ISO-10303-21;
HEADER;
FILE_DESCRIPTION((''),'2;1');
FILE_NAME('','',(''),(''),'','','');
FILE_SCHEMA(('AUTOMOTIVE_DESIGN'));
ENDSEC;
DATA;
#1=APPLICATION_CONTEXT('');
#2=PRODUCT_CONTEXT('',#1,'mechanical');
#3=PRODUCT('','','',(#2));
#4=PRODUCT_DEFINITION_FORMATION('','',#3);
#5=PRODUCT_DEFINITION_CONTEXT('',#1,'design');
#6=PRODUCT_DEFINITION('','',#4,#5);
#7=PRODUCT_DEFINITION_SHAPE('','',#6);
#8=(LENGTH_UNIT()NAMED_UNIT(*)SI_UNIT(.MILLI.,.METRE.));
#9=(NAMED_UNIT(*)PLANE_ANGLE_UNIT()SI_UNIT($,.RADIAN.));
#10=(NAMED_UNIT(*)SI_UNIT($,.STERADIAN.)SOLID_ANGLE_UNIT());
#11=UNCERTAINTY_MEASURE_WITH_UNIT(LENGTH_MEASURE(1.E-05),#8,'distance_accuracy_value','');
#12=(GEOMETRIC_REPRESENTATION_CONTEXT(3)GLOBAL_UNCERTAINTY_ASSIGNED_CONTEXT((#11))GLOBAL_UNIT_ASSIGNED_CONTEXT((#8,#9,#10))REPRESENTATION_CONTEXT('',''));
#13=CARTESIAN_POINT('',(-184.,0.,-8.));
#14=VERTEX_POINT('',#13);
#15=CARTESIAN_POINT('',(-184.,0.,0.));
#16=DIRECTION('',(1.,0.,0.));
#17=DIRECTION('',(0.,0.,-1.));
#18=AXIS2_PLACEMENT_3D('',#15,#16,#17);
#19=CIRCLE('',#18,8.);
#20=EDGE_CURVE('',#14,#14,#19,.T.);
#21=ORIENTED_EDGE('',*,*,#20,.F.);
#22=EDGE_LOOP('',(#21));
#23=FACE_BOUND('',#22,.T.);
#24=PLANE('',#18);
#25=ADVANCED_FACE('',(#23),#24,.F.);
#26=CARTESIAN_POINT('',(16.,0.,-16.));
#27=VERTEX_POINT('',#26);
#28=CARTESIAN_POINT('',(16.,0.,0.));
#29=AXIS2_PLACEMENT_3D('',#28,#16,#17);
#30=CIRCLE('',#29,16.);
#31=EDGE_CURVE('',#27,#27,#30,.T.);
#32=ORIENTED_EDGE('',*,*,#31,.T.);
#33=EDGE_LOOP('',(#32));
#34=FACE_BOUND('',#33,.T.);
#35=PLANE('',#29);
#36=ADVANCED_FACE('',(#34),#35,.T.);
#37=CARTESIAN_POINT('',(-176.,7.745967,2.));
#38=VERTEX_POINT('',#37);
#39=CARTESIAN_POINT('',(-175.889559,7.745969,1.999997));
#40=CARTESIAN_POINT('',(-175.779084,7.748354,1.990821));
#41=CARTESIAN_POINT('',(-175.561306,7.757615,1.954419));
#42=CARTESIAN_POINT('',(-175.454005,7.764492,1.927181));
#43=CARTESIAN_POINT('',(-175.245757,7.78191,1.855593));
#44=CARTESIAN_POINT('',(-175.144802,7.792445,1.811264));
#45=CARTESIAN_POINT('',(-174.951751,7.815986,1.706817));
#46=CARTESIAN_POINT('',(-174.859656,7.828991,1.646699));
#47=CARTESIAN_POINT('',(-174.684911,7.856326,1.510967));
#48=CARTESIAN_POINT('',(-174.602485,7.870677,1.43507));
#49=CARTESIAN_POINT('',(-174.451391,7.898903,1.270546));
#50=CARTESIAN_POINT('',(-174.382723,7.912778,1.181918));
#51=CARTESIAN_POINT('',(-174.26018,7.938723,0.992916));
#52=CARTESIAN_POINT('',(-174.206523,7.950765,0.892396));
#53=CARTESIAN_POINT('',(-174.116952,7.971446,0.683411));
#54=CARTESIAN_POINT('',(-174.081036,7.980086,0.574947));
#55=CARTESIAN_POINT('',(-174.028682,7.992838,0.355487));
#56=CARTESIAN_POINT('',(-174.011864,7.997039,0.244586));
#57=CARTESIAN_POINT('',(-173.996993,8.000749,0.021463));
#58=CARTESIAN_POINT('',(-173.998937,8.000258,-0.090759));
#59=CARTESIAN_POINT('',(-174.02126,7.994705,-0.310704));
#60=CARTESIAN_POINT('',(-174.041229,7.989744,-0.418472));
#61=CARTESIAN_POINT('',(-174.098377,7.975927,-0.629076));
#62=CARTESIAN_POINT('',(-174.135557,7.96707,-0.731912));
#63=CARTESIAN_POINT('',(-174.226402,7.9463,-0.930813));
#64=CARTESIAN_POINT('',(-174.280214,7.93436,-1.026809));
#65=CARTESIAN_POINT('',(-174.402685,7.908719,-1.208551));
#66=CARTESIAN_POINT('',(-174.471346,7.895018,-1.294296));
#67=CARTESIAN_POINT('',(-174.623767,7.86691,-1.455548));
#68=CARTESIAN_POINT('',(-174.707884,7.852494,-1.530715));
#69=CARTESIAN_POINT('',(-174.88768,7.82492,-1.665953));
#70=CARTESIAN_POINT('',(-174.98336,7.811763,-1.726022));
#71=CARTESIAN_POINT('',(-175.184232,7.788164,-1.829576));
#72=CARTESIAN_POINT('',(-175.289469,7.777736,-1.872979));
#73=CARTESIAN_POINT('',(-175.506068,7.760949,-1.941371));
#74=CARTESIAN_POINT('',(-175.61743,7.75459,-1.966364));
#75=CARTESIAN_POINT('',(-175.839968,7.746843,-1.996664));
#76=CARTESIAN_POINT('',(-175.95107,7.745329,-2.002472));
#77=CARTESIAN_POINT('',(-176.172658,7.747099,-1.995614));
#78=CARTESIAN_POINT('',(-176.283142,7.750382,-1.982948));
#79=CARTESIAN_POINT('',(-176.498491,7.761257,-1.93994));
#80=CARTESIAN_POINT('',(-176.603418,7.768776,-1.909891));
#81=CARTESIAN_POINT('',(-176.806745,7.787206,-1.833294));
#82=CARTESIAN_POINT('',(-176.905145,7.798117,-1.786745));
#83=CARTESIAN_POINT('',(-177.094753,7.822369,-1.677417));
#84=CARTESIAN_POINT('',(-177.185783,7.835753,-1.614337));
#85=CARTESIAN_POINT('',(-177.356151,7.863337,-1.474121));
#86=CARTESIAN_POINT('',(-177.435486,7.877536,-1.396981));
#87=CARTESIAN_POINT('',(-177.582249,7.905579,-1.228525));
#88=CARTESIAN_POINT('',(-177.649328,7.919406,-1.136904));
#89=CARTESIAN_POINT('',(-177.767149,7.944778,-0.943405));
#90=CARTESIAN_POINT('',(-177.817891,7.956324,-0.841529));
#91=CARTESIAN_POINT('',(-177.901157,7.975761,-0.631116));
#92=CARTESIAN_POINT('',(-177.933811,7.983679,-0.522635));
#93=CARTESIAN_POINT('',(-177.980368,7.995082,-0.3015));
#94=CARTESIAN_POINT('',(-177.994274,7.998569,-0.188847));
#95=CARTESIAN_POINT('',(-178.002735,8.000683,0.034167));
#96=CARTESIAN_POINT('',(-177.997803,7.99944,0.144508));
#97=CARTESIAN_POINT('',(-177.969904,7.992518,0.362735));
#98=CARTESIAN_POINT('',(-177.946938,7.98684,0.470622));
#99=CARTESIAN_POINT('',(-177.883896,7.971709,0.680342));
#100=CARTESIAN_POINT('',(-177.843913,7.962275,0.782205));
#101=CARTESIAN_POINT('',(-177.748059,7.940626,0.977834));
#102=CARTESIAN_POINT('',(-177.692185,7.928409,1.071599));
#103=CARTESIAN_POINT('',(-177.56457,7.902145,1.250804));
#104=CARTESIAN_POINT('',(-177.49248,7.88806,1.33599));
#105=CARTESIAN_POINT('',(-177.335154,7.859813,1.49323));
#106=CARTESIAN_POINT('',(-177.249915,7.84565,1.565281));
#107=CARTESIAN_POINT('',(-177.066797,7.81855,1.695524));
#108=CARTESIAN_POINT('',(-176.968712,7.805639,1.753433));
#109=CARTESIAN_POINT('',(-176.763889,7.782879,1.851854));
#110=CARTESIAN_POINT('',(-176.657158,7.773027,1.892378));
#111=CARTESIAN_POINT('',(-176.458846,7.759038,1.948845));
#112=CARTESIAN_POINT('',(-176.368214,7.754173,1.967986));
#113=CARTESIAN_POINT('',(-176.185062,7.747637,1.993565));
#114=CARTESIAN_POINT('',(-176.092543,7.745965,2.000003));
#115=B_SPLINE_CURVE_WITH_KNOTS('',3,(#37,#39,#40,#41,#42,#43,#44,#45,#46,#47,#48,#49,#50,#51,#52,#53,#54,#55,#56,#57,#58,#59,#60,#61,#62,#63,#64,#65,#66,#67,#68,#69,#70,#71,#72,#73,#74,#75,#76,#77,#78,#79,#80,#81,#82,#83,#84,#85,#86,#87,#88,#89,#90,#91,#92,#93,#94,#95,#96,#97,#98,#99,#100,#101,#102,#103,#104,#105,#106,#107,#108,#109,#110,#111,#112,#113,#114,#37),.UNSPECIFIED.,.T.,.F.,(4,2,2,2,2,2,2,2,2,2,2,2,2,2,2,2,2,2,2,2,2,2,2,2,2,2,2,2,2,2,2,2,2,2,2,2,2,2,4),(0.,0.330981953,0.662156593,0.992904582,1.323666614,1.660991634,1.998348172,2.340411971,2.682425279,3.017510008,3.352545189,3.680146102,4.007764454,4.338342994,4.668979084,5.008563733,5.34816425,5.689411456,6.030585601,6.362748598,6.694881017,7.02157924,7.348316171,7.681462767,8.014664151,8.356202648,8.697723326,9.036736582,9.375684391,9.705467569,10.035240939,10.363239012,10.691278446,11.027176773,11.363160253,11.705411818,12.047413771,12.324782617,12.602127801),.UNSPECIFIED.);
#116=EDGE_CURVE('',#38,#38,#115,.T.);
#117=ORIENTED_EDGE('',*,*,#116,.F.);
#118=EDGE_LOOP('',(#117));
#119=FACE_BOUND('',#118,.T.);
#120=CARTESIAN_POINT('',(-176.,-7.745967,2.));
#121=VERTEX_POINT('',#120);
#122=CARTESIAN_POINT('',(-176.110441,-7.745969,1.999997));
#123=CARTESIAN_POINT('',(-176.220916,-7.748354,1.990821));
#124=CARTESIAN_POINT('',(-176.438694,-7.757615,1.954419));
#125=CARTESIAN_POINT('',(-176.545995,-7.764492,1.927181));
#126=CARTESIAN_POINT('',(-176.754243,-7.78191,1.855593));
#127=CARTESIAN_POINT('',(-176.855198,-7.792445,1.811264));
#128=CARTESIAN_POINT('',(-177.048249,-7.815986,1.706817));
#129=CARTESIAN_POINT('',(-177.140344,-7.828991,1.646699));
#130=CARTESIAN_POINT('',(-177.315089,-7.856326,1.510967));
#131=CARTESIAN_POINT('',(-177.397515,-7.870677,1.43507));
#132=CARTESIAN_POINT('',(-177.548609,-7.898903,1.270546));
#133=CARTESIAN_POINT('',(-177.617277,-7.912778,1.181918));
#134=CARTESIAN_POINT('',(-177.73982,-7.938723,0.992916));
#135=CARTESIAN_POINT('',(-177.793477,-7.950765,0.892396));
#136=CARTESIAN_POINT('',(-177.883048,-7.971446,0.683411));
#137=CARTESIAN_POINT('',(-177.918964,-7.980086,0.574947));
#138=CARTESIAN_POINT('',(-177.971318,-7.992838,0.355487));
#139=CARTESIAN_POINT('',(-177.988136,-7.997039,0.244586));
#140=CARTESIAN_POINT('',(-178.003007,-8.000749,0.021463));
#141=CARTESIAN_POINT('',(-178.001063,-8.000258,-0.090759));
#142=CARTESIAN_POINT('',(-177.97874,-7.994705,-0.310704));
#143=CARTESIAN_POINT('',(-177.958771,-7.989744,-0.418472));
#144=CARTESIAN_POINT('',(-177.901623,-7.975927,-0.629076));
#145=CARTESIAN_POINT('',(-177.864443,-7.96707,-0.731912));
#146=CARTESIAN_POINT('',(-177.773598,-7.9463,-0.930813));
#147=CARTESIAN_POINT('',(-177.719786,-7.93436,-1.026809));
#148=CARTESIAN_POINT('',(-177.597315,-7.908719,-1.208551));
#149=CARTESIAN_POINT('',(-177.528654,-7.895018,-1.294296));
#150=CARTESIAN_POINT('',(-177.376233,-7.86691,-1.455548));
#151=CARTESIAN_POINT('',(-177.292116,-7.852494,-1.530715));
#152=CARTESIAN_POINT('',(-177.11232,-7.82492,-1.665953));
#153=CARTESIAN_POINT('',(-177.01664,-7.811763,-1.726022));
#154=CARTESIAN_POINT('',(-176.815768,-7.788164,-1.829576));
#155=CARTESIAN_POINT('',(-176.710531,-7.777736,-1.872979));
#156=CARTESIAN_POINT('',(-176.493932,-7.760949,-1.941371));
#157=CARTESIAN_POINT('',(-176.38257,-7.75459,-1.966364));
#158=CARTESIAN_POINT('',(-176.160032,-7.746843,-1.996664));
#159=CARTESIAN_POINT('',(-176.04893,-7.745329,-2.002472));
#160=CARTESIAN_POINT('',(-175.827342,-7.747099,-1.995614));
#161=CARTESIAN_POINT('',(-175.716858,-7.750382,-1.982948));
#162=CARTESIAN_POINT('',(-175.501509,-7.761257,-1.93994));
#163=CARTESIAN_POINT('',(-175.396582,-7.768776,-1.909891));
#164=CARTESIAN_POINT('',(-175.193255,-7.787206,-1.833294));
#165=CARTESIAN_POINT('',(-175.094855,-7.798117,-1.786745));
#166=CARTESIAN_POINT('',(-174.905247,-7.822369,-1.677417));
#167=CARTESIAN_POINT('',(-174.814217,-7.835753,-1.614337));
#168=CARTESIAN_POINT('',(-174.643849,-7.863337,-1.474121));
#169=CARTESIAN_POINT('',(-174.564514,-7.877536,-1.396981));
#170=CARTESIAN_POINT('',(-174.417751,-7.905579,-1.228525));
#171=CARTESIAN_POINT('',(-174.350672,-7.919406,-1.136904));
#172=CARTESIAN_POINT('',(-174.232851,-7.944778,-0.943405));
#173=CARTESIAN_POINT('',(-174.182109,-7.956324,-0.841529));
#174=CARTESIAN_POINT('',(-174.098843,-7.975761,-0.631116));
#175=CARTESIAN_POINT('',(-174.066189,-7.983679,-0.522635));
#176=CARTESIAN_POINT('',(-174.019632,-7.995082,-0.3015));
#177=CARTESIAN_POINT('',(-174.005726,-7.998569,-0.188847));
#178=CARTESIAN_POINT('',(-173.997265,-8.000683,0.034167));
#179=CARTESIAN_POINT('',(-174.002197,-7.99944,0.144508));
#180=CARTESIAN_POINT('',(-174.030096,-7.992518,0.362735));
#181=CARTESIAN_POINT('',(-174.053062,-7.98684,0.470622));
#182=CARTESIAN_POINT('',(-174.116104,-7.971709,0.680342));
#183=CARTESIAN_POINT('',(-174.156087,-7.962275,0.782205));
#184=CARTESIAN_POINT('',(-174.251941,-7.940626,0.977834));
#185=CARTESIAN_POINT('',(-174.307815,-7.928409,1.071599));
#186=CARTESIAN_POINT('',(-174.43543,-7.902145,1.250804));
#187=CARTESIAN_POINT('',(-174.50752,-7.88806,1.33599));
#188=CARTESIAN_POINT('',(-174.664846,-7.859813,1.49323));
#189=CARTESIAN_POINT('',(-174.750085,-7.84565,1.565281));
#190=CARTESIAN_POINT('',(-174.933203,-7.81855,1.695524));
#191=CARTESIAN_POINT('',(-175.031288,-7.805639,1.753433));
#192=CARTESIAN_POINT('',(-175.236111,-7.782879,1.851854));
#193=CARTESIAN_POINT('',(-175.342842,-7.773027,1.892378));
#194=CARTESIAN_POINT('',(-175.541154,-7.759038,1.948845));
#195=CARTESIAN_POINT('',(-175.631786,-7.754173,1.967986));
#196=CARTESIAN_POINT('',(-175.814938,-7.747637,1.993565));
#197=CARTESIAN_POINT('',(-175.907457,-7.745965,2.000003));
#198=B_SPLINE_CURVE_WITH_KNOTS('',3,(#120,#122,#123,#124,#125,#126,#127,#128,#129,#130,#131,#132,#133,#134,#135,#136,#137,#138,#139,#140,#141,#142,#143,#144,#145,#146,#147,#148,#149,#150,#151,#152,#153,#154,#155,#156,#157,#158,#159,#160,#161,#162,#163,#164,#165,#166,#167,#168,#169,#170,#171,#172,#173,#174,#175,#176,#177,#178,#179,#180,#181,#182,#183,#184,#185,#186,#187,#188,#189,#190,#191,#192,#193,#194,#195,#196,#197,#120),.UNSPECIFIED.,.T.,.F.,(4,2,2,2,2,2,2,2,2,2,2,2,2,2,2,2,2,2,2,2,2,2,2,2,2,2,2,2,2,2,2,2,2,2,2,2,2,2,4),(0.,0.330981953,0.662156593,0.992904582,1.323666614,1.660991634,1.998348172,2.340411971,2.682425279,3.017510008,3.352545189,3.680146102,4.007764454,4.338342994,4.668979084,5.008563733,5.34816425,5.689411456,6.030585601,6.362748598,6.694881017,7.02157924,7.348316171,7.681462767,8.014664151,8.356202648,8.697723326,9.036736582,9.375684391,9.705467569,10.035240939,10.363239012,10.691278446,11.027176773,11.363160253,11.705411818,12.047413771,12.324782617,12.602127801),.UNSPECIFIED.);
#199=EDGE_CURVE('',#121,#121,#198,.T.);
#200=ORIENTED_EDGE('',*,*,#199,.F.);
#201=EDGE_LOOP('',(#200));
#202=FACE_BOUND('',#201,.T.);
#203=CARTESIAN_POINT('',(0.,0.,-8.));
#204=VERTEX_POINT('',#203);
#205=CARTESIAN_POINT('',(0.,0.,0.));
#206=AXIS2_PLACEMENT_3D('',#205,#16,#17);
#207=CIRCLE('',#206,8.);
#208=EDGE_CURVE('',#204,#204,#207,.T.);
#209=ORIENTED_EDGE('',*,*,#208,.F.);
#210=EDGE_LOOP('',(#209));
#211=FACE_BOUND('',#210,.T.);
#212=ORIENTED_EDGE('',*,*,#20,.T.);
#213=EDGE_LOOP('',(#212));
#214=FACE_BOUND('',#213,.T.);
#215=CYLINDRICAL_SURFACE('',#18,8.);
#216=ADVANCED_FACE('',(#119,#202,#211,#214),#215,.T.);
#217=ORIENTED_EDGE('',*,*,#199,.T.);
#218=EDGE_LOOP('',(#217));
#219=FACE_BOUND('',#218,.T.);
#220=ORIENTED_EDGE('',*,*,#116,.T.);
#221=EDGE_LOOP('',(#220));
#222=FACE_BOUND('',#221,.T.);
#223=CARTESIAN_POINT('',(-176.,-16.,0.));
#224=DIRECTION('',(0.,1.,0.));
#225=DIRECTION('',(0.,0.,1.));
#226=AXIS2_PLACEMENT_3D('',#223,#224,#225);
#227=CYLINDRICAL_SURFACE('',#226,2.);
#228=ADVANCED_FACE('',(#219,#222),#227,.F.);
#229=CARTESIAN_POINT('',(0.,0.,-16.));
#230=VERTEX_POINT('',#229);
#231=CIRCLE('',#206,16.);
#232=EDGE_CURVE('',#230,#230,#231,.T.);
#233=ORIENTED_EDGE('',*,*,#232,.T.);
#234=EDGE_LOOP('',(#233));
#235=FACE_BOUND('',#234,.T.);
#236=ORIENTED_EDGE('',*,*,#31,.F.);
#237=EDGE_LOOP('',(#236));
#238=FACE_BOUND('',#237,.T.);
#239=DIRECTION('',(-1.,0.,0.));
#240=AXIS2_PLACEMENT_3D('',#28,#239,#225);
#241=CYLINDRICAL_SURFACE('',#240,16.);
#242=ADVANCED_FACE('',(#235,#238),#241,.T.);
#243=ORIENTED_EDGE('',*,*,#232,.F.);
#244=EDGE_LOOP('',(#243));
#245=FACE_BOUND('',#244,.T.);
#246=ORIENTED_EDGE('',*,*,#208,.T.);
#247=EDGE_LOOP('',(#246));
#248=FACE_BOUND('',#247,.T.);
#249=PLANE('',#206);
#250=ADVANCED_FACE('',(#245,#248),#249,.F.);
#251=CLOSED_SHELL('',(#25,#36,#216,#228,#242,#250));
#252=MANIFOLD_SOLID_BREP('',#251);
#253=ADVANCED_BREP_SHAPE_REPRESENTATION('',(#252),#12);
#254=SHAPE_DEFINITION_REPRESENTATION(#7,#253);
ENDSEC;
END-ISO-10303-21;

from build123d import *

# Parameters (mm, degrees)
SKETCH1_R               = 16
BOSS_EXTRUDE1_DEPTH     = 16
SKETCH2_R               = 8
BOSS_EXTRUDE2_DEPTH     = 200
CUT_EXTRUDE2_DEPTH      = 186.38608362
CUT_EXTRUDE2_DEPTH_BACK = 186.38608362
SKETCH3_R               = 2


with BuildPart() as part:
    # Sketch1 → Boss-Extrude1 (new body)
    with BuildSketch(Plane(origin=(0, 0, 0), x_dir=(0, 0, -1), z_dir=(1, 0, 0))):
        Circle(SKETCH1_R)
    extrude(amount=BOSS_EXTRUDE1_DEPTH)

    # Sketch2 → Boss-Extrude2 (add)
    with BuildSketch(Plane(origin=(16, 0, 0), x_dir=(0, 0, -1), z_dir=(1, 0, 0))):
        Circle(SKETCH2_R)
    extrude(amount=-BOSS_EXTRUDE2_DEPTH)

    # Sketch3 → Cut-Extrude2 (cut, two sides: drawn at the far end of the back side and taken through both)
    with BuildSketch(Plane(origin=(0, 0, 0), x_dir=(1, 0, 0), z_dir=(0, 1, 0)).offset(-CUT_EXTRUDE2_DEPTH_BACK)):
        with Locations(Location((-176, 0, 0), (0, 0, 270))):
            Circle(SKETCH3_R)
    extrude(amount=CUT_EXTRUDE2_DEPTH + CUT_EXTRUDE2_DEPTH_BACK, mode=Mode.SUBTRACT)


solid = part.part
